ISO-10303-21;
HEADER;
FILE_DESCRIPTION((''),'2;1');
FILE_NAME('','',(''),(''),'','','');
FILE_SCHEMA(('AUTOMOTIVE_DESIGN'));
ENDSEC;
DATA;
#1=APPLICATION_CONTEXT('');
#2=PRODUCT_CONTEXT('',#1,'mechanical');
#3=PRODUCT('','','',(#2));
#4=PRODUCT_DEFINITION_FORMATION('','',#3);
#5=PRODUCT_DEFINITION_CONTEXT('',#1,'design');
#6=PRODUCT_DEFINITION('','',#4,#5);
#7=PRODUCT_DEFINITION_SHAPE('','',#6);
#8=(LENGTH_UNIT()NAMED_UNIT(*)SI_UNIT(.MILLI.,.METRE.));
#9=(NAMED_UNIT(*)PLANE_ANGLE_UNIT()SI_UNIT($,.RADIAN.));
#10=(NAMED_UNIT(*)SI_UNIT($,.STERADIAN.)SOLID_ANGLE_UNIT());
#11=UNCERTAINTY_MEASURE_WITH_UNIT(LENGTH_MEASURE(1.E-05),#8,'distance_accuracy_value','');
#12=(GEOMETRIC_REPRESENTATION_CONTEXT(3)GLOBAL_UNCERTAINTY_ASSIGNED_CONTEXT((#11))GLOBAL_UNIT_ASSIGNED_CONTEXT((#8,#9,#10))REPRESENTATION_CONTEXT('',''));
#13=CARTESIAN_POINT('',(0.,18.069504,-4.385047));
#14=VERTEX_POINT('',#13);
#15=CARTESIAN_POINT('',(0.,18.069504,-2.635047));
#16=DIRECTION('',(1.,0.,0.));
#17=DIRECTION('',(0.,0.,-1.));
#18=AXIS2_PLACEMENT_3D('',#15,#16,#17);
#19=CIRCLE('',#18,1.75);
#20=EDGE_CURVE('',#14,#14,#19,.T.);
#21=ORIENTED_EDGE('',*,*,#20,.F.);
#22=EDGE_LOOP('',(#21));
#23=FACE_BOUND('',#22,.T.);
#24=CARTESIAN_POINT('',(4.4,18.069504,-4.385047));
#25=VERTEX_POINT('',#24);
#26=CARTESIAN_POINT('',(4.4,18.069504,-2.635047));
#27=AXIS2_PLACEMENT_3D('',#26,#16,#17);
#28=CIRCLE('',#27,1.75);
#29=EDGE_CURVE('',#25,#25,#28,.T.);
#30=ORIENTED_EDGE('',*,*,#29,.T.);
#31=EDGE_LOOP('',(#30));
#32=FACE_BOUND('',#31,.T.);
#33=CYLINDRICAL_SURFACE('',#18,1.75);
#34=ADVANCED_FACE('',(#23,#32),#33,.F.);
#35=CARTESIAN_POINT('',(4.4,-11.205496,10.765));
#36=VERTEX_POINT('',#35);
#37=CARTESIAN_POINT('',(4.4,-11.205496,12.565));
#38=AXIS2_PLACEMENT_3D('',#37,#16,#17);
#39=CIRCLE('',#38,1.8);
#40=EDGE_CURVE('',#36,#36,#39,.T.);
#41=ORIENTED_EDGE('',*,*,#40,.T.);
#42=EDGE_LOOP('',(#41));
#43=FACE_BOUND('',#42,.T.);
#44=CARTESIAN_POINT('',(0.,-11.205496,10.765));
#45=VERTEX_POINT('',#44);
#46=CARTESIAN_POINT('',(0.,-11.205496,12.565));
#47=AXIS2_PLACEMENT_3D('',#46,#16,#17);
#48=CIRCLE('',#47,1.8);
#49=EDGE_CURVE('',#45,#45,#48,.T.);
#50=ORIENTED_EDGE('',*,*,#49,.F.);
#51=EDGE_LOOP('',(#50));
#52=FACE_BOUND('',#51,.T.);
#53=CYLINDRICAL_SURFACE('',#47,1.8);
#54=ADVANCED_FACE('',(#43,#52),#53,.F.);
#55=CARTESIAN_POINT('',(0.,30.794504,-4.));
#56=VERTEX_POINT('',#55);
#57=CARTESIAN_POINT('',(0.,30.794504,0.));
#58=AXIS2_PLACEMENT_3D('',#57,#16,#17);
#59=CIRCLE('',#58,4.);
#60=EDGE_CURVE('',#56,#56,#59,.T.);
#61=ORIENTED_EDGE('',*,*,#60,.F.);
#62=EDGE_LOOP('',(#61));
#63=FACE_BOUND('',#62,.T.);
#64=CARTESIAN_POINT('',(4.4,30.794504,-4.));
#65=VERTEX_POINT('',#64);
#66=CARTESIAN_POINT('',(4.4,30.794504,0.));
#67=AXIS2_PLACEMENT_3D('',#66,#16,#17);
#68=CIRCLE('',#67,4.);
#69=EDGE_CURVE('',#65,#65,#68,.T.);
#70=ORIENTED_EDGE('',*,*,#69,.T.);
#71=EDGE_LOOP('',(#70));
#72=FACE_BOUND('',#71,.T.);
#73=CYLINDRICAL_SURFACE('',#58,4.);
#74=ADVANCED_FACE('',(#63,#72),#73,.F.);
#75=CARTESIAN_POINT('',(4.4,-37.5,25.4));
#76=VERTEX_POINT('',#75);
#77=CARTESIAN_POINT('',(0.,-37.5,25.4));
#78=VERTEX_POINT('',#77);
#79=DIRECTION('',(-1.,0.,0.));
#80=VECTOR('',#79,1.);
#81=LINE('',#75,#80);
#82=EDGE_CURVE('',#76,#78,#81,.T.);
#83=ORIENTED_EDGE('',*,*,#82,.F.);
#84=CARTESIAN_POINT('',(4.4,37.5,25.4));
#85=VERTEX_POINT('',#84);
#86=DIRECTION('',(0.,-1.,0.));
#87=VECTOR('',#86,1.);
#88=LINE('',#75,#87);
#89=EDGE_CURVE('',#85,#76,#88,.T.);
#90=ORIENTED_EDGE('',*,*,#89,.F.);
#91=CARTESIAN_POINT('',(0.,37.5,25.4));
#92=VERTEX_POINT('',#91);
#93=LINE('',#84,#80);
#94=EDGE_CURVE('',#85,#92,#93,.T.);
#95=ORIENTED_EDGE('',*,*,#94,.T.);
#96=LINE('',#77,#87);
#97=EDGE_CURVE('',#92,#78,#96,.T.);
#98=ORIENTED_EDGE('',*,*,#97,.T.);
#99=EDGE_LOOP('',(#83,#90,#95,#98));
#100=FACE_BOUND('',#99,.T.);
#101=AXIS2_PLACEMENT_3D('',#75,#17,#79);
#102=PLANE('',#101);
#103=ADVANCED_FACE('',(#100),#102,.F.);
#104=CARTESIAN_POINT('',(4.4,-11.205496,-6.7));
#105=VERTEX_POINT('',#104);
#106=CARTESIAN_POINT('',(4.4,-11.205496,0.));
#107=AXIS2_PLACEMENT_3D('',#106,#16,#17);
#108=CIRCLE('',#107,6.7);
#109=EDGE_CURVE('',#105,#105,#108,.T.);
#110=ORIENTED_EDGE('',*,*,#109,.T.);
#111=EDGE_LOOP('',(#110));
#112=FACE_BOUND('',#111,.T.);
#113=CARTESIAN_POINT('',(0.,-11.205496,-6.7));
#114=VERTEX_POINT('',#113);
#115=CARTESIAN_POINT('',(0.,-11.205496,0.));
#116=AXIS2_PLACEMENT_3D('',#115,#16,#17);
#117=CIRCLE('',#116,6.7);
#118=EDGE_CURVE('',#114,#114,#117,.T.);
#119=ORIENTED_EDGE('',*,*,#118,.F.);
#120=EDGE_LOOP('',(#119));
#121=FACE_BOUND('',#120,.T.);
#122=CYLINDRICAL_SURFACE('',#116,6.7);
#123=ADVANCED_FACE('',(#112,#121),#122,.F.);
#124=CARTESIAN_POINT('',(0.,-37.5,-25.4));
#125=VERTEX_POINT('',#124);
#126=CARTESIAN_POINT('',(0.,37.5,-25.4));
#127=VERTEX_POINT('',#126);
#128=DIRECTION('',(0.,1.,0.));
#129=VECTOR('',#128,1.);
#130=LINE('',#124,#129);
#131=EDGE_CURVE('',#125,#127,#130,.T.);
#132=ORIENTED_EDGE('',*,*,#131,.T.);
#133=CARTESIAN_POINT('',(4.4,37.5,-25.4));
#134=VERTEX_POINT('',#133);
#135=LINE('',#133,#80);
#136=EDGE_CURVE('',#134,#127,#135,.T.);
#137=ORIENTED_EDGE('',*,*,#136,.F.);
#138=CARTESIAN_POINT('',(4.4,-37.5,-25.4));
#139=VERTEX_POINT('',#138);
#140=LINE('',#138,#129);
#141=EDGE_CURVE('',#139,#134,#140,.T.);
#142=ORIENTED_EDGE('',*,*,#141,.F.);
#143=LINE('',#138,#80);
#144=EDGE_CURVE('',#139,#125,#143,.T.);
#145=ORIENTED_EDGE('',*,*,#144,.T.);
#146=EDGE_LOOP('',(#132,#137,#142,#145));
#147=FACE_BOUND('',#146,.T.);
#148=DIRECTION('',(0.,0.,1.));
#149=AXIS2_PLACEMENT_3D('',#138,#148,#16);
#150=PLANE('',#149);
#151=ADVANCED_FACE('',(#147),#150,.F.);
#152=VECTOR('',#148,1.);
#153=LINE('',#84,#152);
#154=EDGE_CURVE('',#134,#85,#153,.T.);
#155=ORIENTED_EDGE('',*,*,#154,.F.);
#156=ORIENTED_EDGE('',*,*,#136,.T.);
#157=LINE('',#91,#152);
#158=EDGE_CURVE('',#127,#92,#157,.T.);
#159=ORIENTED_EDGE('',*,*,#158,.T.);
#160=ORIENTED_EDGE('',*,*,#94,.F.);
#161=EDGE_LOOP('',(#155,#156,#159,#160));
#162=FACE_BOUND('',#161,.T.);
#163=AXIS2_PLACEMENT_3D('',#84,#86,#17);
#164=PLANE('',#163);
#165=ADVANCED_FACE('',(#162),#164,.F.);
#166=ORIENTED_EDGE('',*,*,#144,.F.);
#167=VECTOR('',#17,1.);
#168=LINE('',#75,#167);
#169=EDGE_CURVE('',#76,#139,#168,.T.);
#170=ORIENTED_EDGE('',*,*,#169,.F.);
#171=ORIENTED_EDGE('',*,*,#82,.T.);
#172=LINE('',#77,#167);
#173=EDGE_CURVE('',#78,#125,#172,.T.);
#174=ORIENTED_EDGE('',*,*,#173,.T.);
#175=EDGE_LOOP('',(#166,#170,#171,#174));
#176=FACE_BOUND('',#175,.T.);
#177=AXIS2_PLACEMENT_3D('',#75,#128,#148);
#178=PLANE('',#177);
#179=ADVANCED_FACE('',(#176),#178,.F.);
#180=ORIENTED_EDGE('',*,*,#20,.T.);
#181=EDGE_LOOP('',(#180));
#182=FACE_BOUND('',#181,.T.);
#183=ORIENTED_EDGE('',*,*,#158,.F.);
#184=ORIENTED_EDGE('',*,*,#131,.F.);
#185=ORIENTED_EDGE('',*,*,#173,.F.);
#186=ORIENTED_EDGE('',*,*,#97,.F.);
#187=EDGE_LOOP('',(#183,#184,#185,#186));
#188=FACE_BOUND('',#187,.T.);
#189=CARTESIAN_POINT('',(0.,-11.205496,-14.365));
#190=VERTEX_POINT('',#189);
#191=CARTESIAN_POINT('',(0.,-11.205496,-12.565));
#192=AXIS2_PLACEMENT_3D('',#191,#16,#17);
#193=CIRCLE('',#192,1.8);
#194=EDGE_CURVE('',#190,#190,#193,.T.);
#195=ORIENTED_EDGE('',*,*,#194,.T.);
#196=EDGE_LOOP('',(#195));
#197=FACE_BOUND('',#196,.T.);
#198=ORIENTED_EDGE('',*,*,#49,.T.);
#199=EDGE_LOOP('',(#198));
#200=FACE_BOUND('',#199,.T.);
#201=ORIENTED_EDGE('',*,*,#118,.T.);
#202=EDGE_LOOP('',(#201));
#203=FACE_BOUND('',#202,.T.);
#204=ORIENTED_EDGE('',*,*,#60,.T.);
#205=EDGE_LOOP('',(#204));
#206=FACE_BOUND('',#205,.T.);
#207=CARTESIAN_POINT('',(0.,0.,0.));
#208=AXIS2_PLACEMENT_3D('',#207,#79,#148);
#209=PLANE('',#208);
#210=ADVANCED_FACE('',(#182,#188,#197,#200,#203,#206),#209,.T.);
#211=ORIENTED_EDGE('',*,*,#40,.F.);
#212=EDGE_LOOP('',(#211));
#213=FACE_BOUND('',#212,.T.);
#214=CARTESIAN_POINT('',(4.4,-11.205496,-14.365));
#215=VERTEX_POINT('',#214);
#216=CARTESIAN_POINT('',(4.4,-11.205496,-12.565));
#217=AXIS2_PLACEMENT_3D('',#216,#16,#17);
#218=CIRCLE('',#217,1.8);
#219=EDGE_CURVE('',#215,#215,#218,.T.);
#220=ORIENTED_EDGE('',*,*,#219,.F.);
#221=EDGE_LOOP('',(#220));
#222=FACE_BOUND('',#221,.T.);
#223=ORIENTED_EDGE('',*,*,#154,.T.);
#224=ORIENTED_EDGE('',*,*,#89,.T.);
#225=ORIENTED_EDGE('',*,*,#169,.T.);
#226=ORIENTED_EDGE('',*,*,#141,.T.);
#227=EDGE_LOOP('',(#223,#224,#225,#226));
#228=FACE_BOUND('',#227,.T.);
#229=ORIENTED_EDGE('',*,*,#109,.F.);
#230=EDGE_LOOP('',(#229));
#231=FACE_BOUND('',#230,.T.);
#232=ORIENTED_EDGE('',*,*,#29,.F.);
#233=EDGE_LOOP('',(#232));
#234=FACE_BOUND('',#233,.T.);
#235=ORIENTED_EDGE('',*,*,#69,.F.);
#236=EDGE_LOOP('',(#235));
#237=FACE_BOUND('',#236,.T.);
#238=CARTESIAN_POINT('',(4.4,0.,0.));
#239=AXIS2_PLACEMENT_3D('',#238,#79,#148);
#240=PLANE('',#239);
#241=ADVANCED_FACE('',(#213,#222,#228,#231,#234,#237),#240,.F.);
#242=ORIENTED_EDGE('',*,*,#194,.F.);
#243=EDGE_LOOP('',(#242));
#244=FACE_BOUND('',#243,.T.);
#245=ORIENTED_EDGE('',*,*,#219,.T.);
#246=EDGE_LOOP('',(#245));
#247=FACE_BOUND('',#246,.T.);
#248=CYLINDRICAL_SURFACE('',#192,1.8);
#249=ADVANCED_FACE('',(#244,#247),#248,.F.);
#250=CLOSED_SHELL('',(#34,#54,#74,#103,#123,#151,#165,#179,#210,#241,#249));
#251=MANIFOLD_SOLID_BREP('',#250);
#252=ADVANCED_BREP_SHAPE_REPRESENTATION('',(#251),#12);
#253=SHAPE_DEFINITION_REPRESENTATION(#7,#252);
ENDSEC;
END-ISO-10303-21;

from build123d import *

# Parameters (mm, degrees)
SKETCH1_W           = 50.8
SKETCH1_H           = 75
BOSS_EXTRUDE1_DEPTH = 4.4
SKETCH2_R           = 4
SKETCH2_R_2         = 6.7
SKETCH2_R_3         = 1.8
CUT_EXTRUDE1_DEPTH  = 46.505713927
SKETCH4_R           = 1.75
CUT_EXTRUDE2_DEPTH  = 46.505713927


with BuildPart() as part:
    # Sketch1 → Boss-Extrude1 (new body)
    with BuildSketch(Plane(origin=(0, 0, 0), x_dir=(0, 0, -1), z_dir=(1, 0, 0))):
        Rectangle(SKETCH1_W, SKETCH1_H)
    extrude(amount=BOSS_EXTRUDE1_DEPTH)

    # Sketch2 → Cut-Extrude1 (cut, through all)
    with BuildSketch(Plane(origin=(4.4, 0, 0), x_dir=(0, 0, -1), z_dir=(1, 0, 0))):
        with Locations((0, 30.794503628)):
            Circle(SKETCH2_R)
        with Locations((0, -11.205496372)):
            Circle(SKETCH2_R_2)
        with Locations((-12.565, -11.205496372)):
            Circle(SKETCH2_R_3)
        with Locations((12.565, -11.205496372)):
            Circle(SKETCH2_R_3)
    extrude(amount=-CUT_EXTRUDE1_DEPTH, mode=Mode.SUBTRACT)

    # Sketch4 → Cut-Extrude2 (cut, through all)
    with BuildSketch(Plane(origin=(4.4, 0, 0), x_dir=(0, 0, -1), z_dir=(1, 0, 0))):
        with Locations((2.63504704, 18.069503628)):
            Circle(SKETCH4_R)
    extrude(amount=-CUT_EXTRUDE2_DEPTH, mode=Mode.SUBTRACT)


solid = part.part
